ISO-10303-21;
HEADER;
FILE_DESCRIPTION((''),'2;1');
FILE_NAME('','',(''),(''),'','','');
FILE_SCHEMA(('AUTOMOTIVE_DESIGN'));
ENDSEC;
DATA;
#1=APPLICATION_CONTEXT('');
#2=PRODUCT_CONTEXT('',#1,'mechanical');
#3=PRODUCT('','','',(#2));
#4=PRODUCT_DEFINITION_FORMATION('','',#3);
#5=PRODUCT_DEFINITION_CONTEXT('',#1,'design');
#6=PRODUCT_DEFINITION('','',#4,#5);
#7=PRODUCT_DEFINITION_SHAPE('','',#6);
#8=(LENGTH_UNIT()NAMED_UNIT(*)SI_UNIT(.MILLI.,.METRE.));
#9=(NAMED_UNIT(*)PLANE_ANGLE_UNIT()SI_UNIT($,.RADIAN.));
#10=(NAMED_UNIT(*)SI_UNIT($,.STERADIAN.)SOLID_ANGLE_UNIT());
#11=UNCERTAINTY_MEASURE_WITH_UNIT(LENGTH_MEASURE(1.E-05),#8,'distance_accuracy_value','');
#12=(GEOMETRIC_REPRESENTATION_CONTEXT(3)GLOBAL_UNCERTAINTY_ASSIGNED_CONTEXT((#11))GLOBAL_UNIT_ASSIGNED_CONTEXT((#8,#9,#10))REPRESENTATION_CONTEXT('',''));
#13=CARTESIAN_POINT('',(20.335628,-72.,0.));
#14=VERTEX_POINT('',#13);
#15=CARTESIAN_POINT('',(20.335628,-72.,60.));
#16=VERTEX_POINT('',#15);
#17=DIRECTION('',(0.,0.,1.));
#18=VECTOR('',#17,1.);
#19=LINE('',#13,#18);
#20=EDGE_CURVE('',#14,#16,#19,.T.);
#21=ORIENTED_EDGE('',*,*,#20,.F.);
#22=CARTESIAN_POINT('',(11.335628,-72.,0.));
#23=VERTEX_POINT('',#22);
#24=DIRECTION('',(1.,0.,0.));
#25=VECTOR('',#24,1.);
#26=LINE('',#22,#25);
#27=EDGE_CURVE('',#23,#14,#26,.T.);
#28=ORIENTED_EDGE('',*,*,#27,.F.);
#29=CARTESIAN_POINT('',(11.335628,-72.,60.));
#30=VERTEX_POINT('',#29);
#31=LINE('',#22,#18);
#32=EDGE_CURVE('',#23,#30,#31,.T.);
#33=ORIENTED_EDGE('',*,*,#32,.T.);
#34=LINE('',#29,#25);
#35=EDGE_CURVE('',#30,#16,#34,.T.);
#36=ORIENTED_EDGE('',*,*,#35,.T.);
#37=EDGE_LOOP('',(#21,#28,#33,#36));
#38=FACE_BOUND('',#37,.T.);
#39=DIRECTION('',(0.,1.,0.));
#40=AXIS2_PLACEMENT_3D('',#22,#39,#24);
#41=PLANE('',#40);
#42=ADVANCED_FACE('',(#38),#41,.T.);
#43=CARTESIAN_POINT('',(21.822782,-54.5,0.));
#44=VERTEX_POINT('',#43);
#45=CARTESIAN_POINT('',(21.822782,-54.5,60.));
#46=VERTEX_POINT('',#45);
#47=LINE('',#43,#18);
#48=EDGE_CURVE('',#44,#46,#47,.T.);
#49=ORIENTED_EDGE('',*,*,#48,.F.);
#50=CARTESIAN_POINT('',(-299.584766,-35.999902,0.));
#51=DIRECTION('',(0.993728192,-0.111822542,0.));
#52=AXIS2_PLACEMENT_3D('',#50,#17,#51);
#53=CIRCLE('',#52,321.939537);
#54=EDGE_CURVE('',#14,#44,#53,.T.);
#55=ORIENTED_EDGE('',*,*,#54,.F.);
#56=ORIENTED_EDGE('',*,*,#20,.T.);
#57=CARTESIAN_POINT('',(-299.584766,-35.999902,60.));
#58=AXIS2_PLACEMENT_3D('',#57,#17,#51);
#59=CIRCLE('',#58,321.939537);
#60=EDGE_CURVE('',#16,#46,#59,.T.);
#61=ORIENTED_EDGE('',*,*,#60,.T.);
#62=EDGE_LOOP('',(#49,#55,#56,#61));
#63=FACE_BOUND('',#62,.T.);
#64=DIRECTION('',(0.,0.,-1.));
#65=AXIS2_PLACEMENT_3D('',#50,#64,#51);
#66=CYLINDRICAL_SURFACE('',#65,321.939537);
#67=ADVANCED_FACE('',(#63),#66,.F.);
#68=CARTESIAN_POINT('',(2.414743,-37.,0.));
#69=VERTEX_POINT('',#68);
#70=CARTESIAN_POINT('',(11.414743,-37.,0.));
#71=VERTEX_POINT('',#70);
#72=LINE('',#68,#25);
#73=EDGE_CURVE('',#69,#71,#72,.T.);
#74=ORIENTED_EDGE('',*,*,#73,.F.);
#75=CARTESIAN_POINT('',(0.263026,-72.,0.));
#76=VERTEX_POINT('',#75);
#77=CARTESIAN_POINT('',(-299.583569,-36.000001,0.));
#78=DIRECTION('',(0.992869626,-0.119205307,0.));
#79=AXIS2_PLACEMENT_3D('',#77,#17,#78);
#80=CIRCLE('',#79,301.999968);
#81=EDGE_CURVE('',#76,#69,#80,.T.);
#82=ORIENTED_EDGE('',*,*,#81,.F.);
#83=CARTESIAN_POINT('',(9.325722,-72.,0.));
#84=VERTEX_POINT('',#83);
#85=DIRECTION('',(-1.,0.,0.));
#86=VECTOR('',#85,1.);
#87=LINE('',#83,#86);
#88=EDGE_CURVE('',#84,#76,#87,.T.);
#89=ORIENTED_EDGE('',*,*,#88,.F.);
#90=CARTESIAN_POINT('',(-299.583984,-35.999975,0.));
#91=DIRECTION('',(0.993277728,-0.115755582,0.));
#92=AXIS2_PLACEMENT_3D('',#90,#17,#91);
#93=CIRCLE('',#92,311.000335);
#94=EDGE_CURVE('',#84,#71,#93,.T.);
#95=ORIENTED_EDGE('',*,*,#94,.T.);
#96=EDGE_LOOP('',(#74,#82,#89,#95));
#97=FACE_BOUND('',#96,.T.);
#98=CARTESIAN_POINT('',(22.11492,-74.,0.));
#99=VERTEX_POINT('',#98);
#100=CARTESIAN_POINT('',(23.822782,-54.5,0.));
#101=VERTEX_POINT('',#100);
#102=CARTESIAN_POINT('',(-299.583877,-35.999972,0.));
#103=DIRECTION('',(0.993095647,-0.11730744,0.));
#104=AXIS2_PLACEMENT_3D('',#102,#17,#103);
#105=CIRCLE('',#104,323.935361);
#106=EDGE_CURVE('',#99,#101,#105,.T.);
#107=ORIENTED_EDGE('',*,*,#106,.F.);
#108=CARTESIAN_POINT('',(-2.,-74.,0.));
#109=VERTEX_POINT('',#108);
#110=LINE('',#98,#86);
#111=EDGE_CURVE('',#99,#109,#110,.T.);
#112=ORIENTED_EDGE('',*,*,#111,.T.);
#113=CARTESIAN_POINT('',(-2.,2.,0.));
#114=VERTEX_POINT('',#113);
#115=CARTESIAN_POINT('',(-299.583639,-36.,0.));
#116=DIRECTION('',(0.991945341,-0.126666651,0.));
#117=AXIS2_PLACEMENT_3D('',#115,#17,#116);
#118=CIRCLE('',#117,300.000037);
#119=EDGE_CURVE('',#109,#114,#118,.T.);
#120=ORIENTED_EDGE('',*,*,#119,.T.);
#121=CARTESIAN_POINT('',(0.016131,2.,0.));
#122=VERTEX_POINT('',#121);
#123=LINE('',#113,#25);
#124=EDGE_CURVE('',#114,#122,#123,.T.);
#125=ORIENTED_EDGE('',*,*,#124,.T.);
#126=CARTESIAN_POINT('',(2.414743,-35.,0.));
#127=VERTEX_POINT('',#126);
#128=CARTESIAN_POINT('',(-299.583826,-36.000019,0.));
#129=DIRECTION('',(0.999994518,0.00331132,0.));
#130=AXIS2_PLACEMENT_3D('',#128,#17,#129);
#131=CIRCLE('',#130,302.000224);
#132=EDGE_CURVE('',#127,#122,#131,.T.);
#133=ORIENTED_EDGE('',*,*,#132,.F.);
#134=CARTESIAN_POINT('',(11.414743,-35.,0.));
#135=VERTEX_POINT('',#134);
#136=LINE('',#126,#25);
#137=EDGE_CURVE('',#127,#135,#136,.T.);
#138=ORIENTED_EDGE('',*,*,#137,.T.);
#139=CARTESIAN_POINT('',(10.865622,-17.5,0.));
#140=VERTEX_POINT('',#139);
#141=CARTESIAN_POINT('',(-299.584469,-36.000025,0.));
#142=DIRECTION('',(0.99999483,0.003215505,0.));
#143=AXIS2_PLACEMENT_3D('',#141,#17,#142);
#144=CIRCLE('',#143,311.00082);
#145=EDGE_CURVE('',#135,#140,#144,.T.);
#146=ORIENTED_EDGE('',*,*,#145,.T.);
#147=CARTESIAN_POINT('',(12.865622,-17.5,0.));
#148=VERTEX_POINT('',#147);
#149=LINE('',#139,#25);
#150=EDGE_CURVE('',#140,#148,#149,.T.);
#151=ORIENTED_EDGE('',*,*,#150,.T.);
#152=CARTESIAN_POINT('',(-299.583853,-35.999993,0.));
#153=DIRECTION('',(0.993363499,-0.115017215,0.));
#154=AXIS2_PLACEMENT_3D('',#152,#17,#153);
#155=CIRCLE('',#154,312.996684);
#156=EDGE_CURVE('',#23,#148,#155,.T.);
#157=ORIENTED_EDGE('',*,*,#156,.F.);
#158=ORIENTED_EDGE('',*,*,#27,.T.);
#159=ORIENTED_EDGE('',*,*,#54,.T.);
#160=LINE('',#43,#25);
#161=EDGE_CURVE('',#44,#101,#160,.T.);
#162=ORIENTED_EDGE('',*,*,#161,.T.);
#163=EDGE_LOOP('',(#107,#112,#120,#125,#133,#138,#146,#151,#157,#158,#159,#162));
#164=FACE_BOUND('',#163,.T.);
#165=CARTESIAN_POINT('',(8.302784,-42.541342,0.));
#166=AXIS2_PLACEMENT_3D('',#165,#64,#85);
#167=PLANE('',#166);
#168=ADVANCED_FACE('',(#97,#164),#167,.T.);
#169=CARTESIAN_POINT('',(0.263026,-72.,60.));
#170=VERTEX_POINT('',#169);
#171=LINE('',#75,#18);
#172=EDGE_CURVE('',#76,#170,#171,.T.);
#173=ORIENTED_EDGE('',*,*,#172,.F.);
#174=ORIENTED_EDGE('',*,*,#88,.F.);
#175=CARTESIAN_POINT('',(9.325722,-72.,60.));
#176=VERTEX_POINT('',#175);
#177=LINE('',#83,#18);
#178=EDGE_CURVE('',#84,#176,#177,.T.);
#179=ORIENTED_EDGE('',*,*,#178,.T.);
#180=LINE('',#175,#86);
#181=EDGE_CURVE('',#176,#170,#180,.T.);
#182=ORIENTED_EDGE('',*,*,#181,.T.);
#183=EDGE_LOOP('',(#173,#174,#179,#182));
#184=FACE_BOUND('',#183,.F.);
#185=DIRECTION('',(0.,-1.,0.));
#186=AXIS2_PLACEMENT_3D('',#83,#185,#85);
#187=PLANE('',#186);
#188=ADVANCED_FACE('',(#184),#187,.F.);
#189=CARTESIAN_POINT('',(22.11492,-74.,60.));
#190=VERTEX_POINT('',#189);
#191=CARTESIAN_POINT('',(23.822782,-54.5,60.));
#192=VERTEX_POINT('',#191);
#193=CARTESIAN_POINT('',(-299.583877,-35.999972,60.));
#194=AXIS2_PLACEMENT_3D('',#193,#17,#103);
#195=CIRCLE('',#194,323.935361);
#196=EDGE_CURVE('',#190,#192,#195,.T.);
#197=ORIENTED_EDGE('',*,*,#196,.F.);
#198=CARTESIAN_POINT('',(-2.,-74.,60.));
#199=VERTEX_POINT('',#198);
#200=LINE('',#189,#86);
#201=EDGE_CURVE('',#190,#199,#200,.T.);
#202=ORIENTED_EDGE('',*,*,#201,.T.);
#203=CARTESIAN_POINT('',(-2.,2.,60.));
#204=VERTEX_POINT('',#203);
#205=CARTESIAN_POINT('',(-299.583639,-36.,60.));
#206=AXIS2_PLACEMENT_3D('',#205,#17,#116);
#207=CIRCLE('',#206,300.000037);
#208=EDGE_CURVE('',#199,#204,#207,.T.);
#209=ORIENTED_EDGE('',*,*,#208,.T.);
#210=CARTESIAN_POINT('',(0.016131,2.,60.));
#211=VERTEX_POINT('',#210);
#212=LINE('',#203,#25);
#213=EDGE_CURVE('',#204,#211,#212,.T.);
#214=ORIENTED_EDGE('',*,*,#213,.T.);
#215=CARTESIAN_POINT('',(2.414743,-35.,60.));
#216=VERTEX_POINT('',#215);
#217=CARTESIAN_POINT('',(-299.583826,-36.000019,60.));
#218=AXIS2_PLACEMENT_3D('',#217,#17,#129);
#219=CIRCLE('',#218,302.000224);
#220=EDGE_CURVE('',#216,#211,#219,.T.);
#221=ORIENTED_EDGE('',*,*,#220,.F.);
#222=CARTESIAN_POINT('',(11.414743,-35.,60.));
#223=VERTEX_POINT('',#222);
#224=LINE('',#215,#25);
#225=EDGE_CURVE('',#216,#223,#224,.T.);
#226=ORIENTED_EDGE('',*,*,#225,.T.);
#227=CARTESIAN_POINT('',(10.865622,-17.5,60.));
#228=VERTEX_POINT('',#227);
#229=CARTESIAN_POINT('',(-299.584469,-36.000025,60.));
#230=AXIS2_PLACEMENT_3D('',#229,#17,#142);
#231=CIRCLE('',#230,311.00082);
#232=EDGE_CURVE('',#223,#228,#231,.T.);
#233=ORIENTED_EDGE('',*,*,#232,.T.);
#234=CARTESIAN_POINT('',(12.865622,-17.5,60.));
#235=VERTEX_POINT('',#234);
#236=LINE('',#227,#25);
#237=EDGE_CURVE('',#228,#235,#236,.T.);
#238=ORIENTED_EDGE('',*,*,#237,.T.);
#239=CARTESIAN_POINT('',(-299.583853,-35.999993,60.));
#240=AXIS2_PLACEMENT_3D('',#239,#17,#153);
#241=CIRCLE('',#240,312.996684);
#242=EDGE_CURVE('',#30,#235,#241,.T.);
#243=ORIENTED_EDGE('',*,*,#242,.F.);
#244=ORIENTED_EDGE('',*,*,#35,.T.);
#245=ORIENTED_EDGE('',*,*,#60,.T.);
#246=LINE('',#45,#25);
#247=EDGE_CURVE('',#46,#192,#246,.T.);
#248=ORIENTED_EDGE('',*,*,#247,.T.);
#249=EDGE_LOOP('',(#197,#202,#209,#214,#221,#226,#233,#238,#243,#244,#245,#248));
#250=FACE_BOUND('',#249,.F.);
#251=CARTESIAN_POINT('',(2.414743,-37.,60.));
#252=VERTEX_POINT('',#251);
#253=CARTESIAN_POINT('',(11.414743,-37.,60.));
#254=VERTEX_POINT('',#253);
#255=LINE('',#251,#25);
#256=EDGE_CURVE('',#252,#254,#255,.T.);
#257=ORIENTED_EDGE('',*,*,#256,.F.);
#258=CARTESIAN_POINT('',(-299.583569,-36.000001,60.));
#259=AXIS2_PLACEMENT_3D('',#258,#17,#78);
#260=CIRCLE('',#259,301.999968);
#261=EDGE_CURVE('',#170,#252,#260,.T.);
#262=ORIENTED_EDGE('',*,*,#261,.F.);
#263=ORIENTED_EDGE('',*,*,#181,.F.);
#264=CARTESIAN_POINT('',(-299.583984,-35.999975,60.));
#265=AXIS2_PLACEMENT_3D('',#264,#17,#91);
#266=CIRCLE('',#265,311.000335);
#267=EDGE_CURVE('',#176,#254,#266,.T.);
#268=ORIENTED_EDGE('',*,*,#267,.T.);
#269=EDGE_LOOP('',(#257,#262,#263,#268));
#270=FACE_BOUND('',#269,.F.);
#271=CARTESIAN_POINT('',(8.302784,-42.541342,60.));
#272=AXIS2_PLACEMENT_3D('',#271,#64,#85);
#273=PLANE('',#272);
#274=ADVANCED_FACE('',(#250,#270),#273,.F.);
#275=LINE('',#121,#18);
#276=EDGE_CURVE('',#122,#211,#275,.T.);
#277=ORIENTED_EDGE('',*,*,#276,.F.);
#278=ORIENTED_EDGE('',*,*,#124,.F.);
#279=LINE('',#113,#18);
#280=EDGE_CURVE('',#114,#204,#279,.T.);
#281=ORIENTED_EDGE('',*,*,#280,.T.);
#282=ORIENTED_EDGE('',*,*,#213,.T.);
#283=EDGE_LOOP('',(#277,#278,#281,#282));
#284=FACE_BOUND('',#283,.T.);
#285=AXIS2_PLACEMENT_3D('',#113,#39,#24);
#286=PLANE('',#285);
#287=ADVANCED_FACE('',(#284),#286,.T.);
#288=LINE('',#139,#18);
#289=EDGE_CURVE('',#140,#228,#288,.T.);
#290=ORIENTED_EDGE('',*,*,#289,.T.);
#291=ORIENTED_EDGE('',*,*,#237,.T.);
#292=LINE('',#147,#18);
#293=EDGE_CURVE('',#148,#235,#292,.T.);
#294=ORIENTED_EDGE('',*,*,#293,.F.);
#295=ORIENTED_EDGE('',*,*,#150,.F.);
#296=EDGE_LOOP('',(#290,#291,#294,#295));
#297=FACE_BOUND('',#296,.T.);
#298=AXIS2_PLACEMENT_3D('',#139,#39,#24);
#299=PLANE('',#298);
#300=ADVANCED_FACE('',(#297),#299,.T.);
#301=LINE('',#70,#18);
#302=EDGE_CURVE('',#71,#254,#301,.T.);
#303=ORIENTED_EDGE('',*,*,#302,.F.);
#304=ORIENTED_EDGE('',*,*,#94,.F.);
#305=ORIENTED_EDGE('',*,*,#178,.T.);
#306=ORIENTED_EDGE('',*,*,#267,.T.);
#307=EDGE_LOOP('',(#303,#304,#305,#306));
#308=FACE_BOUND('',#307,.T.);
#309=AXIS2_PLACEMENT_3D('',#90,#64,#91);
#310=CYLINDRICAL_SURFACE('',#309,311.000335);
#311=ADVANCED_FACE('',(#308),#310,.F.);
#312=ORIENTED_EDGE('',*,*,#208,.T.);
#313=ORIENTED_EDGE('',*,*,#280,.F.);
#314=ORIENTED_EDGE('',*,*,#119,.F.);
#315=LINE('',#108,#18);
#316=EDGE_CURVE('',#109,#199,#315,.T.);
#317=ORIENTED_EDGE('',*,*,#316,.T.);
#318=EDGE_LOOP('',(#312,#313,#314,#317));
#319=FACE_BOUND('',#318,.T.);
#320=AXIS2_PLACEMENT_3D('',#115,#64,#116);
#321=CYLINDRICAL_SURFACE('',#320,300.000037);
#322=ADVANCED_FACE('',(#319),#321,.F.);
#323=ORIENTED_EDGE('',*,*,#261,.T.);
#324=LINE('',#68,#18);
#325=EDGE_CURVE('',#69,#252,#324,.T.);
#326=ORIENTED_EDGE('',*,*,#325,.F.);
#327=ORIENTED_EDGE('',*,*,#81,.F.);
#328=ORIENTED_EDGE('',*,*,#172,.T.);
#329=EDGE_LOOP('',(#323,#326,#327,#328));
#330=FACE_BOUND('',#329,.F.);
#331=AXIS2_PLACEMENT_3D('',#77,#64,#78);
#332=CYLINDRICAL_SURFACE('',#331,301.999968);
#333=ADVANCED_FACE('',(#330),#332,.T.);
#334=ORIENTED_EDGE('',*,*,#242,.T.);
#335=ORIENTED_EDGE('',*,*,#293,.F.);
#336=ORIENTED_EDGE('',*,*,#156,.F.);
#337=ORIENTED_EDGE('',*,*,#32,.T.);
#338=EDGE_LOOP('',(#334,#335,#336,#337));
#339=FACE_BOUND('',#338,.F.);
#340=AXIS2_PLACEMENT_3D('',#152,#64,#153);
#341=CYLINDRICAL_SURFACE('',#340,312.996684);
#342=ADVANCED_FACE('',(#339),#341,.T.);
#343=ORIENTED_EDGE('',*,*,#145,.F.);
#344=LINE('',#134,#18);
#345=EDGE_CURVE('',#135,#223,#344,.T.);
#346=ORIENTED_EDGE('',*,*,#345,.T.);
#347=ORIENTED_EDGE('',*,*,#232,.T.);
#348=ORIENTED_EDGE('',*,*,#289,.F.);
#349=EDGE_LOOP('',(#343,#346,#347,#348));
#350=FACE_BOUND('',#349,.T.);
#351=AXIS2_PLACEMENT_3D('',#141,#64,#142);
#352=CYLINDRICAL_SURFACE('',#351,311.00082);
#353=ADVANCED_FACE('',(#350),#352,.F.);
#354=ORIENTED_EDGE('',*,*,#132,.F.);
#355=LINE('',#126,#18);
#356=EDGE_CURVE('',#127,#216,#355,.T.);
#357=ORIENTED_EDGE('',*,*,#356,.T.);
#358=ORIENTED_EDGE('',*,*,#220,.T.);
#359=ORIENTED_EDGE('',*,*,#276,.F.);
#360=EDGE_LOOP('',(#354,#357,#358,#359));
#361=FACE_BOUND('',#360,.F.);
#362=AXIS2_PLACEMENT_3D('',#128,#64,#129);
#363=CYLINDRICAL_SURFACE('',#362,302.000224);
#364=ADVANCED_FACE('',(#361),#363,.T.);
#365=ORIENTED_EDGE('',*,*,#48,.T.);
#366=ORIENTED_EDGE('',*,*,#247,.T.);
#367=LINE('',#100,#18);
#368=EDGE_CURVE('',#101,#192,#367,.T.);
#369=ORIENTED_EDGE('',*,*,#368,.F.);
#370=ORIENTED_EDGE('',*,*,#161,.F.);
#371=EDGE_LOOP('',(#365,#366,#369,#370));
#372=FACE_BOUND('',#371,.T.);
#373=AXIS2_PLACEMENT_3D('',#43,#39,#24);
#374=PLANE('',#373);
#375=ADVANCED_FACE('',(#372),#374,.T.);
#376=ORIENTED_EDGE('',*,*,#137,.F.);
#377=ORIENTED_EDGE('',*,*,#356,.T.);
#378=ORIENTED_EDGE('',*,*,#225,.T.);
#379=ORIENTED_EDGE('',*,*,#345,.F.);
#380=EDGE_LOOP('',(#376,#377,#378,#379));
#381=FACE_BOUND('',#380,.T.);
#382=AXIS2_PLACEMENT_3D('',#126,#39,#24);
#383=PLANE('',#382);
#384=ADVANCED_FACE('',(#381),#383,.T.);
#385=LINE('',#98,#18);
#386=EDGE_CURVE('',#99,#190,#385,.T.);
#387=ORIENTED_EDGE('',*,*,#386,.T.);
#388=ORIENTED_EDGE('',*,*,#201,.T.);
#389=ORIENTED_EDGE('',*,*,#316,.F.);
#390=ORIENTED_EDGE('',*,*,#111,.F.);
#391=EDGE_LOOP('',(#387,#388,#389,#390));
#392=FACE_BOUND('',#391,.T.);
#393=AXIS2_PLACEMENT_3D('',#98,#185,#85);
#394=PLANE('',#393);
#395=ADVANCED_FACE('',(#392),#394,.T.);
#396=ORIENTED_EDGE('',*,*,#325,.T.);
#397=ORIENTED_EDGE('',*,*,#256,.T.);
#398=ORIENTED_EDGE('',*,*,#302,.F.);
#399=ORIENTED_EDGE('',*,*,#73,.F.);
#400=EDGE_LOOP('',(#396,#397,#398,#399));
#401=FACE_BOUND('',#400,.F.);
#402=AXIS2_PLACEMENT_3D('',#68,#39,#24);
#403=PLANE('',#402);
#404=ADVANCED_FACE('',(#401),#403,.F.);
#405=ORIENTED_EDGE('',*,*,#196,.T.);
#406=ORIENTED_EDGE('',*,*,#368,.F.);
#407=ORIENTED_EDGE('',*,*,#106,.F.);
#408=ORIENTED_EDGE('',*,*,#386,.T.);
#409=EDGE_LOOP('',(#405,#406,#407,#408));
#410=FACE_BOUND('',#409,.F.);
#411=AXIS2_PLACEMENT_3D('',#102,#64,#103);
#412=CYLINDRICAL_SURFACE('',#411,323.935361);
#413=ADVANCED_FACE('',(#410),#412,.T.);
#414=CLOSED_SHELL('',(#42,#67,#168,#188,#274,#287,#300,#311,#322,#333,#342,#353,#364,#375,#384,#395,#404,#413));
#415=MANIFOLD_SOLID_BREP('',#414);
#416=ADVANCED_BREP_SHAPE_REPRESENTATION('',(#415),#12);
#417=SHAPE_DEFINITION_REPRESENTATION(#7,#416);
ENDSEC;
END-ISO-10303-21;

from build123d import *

# Parameters (mm, degrees)
PAD_DEPTH = 60


with BuildPart() as part:
    # Sketch → Pad (new body)
    with BuildSketch(Plane.XY):
        with BuildLine():
            Line((2.414743, -35), (11.414743, -35))
            ThreePointArc((11.414743, -35), (11.263358, -26.246135), (10.865622, -17.5))
            Line((10.865622, -17.5), (12.865622, -17.5))
            ThreePointArc((11.335628, -72), (13.289566, -44.783378), (12.865622, -17.5))
            Line((11.335628, -72), (20.335628, -72))
            ThreePointArc((20.335628, -72), (21.198564, -63.260143), (21.822782, -54.5))
            Line((21.822782, -54.5), (23.822782, -54.5))
            ThreePointArc((22.11492, -74), (23.116177, -64.262903), (23.822782, -54.5))
            Line((22.11492, -74), (-2, -74))
            ThreePointArc((-2, -74), (0.416398, -36), (-2, 2))
            Line((-2, 2), (0.016131, 2))
            ThreePointArc((2.414743, -35), (1.783801, -16.463154), (0.016131, 2))
        make_face()
        with BuildLine():
            Line((2.414743, -37), (11.414743, -37))
            ThreePointArc((9.325722, -72), (10.863864, -54.529463), (11.414743, -37))
            Line((9.325722, -72), (0.263026, -72))
            ThreePointArc((0.263026, -72), (1.847307, -54.531257), (2.414743, -37))
        make_face(mode=Mode.SUBTRACT)
    extrude(amount=PAD_DEPTH)


solid = part.part
